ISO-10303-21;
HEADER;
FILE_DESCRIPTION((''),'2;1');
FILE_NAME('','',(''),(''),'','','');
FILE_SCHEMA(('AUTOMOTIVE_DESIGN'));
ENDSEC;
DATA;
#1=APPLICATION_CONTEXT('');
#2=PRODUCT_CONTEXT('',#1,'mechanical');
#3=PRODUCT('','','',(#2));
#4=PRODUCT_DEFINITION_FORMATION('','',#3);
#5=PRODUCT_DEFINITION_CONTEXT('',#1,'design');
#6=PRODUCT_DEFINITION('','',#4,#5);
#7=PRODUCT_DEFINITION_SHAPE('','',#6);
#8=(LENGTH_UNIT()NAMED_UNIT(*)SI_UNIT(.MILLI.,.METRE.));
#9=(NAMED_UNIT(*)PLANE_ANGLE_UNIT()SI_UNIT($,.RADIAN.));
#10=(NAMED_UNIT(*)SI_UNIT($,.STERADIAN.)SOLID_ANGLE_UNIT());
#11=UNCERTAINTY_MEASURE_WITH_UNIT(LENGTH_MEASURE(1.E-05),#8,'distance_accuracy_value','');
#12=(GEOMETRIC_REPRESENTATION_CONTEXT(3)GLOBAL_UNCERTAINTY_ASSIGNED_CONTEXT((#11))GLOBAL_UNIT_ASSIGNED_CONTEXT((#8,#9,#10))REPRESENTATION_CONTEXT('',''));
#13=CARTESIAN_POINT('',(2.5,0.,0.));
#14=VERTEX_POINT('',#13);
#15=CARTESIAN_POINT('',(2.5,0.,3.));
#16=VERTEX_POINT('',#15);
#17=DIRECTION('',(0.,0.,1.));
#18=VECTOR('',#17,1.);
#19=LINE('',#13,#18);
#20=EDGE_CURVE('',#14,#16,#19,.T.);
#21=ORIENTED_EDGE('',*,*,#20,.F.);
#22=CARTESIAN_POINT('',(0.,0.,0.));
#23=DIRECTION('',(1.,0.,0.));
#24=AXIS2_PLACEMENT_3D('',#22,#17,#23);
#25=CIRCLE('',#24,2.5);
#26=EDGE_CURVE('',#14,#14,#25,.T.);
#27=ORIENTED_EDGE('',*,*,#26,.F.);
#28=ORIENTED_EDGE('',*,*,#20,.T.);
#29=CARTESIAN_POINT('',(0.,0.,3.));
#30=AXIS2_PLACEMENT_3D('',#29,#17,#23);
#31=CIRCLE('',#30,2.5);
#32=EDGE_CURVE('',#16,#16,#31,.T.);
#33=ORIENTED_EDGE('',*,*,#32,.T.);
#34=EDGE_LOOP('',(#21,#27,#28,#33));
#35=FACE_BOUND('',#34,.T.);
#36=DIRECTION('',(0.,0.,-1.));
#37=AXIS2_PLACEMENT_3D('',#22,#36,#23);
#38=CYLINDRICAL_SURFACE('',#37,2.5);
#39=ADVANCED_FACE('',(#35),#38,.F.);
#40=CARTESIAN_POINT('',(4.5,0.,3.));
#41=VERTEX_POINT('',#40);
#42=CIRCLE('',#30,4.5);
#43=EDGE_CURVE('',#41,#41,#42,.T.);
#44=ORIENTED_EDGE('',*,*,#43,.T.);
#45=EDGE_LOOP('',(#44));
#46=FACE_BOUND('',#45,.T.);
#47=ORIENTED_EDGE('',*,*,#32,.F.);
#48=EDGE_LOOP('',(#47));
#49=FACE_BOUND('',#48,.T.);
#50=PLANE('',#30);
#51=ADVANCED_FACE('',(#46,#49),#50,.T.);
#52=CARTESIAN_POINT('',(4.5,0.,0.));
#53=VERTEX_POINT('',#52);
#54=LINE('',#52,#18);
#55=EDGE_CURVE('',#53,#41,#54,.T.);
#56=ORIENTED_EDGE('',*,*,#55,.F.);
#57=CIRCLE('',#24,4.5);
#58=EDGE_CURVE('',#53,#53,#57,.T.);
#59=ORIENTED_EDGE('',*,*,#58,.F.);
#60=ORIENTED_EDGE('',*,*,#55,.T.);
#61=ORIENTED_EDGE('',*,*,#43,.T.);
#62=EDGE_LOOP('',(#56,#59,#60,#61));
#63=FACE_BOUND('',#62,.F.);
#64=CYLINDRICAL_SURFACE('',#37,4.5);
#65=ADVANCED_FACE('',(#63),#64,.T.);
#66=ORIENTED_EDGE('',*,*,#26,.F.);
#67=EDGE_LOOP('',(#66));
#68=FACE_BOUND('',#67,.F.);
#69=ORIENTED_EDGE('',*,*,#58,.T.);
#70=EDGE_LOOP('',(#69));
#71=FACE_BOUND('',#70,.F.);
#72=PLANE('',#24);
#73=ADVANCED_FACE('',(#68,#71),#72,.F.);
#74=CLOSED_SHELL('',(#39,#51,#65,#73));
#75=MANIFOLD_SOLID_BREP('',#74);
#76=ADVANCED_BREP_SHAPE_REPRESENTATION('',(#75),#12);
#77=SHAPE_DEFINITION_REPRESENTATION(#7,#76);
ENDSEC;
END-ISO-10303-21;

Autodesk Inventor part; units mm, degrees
ref_plane "YZ Plane" through (0, 0, 0) normal (1, 0, 0) x (0, 1, 0)
ref_plane "XZ Plane" through (0, 0, 0) normal (0, 1, 0) x (-1, 0, 0)
ref_plane "XY Plane" through (0, 0, 0) normal (0, 0, 1) x (1, 0, 0)
sketch "Esquisse1" plane through (0, 0, 0) normal (0, 0, 1) x (1, 0, 0)
  circle A0 centre (0, 0) radius 4.5
  circle A1 centre (0, 0) radius 2.5
  dimension "d0" = 9
  dimension "d1" = 5
extrude "Extrusion1" add sketch "Esquisse1" along normal blind 3
properties part number "Roulement" material "Acier, doux"
